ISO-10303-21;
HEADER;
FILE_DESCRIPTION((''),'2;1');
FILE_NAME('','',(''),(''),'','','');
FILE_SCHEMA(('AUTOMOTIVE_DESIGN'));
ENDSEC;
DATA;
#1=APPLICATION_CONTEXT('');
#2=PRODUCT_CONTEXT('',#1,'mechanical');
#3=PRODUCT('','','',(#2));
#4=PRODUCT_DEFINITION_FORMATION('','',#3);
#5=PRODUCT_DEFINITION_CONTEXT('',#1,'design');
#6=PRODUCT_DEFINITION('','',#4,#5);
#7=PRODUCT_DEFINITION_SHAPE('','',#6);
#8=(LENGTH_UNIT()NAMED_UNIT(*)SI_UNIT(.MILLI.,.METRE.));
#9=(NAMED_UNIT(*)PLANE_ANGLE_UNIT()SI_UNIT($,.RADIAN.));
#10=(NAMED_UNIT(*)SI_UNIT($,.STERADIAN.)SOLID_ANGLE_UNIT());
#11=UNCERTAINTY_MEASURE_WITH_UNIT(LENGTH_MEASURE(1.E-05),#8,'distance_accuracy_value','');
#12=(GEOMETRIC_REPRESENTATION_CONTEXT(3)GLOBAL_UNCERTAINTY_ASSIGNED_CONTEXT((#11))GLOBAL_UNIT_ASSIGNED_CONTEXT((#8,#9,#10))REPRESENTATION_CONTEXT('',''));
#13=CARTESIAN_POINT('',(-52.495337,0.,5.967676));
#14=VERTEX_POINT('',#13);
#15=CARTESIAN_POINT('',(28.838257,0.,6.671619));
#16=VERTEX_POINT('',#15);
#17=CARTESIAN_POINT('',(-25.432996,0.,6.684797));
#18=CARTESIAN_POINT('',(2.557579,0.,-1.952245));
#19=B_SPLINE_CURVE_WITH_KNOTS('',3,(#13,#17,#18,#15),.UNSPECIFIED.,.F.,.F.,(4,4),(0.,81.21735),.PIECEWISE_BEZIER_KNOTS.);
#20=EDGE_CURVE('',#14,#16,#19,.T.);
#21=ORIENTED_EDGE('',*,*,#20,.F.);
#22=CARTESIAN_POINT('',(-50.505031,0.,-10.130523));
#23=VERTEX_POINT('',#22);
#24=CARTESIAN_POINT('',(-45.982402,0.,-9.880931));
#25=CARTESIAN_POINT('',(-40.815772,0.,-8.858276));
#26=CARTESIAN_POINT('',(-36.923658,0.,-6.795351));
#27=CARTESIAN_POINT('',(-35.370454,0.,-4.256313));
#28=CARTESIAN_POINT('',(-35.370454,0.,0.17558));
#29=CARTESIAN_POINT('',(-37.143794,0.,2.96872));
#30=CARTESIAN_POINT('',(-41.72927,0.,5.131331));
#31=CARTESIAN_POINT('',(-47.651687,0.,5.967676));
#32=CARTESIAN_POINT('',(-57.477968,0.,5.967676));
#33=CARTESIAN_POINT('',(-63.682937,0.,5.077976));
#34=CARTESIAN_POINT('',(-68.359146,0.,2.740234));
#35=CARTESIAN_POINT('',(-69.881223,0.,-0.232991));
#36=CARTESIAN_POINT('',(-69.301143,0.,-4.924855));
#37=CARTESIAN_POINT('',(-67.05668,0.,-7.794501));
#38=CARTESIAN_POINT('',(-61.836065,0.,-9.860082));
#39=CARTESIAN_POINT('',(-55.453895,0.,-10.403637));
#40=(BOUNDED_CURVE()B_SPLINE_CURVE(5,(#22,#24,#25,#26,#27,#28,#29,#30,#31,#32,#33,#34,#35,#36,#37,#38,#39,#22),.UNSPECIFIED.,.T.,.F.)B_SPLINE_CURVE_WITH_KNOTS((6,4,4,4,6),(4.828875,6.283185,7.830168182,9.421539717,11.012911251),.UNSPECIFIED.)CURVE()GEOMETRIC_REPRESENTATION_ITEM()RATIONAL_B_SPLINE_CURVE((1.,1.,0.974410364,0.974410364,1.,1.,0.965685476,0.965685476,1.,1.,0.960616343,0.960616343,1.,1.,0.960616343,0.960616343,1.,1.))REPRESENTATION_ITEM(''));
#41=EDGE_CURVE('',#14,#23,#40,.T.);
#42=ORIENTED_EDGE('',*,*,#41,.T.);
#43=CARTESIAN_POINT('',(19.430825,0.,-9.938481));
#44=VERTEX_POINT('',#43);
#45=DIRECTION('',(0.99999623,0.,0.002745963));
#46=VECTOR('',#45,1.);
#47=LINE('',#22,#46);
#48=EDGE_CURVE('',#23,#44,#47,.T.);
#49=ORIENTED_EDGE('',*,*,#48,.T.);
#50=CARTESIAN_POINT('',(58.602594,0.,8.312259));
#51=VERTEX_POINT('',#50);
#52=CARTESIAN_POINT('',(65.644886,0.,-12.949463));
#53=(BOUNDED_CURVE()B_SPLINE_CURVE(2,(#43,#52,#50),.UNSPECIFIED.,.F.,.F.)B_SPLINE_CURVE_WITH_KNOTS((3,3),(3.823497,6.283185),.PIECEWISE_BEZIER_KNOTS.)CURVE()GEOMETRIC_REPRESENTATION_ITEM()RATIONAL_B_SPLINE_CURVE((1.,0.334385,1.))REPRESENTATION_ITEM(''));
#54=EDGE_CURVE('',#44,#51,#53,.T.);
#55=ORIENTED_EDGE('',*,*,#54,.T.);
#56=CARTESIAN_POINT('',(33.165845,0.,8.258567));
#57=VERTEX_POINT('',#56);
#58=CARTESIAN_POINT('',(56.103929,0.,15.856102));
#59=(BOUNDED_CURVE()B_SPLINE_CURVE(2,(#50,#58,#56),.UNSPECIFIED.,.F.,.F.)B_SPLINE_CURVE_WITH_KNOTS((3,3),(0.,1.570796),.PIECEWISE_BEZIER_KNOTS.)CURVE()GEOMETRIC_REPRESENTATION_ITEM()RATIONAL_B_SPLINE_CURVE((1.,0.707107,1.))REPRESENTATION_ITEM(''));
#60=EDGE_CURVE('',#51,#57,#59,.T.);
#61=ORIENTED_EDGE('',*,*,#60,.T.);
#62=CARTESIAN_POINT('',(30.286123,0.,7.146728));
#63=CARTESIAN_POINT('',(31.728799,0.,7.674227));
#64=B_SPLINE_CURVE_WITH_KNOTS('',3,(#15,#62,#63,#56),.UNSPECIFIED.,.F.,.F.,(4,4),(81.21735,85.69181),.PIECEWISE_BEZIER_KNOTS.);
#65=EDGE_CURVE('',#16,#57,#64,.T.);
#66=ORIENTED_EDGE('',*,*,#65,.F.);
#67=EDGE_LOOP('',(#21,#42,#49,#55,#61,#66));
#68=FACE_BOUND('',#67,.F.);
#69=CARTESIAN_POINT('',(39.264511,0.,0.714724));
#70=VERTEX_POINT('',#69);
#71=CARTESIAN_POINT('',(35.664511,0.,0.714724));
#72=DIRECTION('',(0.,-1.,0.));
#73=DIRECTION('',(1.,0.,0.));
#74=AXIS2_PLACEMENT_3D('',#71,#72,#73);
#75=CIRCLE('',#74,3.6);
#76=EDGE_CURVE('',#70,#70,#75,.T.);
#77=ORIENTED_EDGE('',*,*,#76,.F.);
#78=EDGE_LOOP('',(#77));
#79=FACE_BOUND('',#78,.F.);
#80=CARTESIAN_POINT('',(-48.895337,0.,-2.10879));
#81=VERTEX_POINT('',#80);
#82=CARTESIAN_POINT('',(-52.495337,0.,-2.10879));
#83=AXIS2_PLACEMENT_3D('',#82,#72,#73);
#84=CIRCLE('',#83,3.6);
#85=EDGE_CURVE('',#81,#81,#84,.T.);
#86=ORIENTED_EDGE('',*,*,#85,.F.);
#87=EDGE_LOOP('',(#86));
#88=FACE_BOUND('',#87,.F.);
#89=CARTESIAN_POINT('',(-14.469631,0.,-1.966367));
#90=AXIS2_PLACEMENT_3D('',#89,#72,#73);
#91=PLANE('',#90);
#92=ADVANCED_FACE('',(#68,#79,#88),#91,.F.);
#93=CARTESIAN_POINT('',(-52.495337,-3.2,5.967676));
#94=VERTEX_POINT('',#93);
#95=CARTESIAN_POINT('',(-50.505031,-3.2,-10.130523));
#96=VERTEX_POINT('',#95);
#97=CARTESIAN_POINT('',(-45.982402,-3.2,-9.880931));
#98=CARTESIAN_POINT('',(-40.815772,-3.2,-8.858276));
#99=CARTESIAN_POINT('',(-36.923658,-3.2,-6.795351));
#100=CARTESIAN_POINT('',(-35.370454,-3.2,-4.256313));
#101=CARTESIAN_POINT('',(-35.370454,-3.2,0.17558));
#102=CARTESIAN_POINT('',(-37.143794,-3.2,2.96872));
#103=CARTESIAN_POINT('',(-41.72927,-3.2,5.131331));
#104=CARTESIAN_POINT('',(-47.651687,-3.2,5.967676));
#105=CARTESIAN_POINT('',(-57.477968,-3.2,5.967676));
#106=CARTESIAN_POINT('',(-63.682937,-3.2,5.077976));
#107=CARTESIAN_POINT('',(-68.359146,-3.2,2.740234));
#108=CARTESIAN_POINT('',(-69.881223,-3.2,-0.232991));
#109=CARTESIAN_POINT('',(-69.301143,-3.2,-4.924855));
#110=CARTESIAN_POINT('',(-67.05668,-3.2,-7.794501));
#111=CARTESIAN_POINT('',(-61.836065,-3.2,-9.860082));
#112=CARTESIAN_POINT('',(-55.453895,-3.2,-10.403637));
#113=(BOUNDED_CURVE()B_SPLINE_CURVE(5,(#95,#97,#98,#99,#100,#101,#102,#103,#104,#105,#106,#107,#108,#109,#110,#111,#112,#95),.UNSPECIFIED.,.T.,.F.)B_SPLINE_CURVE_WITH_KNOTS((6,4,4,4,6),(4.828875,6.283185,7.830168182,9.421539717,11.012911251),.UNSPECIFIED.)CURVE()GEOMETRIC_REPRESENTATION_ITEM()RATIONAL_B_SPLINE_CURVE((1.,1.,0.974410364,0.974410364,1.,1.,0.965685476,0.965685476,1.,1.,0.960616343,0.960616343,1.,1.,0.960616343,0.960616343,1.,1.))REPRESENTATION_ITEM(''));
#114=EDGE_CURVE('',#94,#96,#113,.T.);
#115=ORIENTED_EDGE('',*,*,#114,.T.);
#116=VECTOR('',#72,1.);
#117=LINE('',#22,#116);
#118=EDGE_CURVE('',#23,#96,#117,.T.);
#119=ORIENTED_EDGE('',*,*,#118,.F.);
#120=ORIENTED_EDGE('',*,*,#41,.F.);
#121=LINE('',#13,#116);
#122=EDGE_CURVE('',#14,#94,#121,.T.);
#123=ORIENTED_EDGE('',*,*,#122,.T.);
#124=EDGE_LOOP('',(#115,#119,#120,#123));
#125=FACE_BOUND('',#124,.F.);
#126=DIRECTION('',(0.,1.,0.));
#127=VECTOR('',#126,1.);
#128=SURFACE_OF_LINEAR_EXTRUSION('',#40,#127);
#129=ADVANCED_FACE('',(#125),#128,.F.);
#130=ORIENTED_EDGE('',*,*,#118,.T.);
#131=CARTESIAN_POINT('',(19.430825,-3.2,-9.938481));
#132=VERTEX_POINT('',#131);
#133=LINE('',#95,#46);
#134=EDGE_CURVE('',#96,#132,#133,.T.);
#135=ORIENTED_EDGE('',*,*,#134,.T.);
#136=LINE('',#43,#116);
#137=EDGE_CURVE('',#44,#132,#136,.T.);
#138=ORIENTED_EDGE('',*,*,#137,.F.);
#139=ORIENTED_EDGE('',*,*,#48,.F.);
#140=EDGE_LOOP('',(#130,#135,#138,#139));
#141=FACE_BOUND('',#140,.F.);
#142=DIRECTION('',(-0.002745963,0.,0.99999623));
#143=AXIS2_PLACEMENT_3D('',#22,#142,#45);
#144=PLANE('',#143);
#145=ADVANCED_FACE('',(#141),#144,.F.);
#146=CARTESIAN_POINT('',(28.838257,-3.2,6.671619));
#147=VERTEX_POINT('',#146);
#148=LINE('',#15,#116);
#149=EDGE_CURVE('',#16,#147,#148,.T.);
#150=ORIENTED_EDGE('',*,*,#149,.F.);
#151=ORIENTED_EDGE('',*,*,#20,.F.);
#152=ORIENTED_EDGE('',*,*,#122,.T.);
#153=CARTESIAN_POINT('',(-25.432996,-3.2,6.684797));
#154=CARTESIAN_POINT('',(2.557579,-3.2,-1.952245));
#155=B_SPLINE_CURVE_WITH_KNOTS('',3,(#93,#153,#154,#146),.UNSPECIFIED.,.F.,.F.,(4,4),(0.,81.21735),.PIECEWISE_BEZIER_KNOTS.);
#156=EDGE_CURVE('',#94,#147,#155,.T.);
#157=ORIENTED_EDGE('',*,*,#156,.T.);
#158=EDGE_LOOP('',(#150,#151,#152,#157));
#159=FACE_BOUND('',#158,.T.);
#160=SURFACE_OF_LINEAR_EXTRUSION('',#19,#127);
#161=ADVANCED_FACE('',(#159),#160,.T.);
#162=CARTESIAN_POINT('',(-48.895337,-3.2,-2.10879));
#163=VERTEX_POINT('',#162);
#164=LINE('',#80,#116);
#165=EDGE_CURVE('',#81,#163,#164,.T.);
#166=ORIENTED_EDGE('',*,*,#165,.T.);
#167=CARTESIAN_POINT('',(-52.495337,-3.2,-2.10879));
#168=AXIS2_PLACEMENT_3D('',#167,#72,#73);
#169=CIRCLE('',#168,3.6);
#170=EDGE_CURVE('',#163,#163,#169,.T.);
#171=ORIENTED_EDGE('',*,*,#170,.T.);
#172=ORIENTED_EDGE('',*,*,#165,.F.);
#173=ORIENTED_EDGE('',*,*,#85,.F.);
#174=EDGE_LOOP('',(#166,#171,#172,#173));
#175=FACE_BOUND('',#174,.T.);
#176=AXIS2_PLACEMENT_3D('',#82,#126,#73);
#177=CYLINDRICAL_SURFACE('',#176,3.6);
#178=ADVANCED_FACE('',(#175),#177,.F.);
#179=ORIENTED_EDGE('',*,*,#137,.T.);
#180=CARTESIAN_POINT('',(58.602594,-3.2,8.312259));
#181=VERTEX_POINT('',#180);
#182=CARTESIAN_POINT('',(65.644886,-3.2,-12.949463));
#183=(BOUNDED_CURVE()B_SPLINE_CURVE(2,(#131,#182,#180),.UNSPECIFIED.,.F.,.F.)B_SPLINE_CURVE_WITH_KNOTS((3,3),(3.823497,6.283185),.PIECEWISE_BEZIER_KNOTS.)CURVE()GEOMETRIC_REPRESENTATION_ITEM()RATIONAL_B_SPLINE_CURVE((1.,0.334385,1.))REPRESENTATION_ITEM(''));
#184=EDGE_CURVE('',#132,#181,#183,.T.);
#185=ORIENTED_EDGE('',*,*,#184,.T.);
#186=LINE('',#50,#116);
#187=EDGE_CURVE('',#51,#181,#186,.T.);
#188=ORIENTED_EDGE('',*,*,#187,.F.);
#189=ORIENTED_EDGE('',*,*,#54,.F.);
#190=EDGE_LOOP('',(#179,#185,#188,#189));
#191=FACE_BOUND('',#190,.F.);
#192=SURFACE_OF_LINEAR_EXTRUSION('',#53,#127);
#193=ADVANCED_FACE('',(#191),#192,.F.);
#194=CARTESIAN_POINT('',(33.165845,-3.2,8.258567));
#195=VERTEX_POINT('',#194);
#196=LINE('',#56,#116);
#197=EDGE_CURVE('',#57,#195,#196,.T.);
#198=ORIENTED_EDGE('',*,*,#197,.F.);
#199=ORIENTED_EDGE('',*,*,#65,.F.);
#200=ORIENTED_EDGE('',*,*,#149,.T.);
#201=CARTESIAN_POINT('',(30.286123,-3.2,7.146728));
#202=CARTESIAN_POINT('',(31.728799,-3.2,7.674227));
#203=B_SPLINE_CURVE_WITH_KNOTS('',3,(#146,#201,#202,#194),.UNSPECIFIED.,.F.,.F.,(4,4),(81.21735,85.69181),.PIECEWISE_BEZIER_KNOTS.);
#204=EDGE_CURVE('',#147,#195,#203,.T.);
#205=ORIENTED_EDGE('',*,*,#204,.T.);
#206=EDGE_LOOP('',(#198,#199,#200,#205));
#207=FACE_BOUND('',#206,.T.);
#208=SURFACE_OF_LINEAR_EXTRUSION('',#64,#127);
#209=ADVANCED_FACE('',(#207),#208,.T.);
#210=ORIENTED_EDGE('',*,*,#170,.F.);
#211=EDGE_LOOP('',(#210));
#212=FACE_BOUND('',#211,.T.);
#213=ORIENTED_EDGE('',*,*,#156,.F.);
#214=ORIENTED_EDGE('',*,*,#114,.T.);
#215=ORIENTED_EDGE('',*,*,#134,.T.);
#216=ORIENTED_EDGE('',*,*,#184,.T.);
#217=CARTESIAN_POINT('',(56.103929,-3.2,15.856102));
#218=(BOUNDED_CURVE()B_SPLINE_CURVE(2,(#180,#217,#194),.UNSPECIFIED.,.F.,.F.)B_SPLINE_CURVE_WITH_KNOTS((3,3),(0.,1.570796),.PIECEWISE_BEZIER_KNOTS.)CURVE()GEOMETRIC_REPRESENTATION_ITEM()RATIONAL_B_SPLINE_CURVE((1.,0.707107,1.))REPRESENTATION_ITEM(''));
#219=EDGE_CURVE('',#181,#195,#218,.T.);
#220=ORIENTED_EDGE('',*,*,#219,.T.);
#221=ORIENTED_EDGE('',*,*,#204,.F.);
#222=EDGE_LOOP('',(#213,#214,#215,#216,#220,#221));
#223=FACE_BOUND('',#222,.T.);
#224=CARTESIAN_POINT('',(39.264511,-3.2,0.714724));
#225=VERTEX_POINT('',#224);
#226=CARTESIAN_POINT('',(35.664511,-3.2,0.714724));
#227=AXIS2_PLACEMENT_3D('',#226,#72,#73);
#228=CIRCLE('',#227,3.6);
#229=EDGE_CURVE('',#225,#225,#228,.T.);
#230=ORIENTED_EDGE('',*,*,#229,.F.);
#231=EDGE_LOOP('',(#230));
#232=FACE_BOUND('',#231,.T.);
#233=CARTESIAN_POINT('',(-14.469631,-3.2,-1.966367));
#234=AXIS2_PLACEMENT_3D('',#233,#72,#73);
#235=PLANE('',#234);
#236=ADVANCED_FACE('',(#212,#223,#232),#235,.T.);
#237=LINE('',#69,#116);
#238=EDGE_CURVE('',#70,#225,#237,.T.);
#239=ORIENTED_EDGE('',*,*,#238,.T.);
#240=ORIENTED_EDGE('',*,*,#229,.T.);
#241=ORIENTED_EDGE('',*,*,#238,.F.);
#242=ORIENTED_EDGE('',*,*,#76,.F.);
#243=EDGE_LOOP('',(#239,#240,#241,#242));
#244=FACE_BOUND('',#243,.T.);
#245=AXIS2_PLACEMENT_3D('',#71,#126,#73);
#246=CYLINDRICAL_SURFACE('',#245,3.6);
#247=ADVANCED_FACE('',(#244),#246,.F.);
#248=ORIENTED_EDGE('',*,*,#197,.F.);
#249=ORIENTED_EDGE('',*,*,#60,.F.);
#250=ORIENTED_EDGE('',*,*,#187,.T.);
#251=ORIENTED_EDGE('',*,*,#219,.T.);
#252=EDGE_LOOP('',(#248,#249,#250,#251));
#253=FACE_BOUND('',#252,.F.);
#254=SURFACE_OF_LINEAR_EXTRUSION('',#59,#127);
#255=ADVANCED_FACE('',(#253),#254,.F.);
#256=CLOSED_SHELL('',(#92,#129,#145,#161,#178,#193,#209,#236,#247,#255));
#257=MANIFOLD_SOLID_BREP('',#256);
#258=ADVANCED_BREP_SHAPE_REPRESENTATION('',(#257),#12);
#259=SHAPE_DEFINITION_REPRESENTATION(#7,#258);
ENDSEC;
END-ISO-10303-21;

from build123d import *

# Parameters (mm, degrees)
F0_R     = 3.6
F1_DEPTH = 3.2


with BuildPart() as f1:
    # F0 (on Front) → F1 (new body)
    with BuildSketch(Plane.XZ):
        with BuildLine():
            Line((-50.505031, -10.130523), (19.430825, -9.938481))
            add(Edge.make_bspline(
                [(28.838257, 6.671619), (-7.901181, -8.15772), (19.430825, -9.938481)],
                knots=[1.762633, 1.762633, 1.762633, 3.823497, 3.823497, 3.823497], degree=2, weights=[1, 0.514448, 1]))
            add(Edge.make_bspline(
                [(-52.495337, 5.967676), (-25.432996, 6.684797), (2.557579, -1.952245), (28.838257, 6.671619)],
                knots=[0, 0, 0, 0, 81.21735, 81.21735, 81.21735, 81.21735], degree=3))
            add(Edge.make_bspline(
                [(-35.370454, -2.10879), (-35.370454, 5.967676), (-52.495337, 5.967676)],
                knots=[0, 0, 0, 1.570796, 1.570796, 1.570796], degree=2, weights=[1, 0.707107, 1]))
            add(Edge.make_bspline(
                [(-50.505031, -10.130523), (-35.370454, -9.295286), (-35.370454, -2.10879)],
                knots=[4.828875, 4.828875, 4.828875, 6.283185, 6.283185, 6.283185], degree=2, weights=[1, 0.747069, 1]))
        make_face()
        with BuildLine():
            add(Edge.make_bspline(
                [(-52.495337, 5.967676), (-70.647845, 5.967676), (-69.591183, -2.578923), (-68.534521, -11.125522), (-50.505031, -10.130523)],
                knots=[1.570796, 1.570796, 1.570796, 3.199836, 3.199836, 4.828875, 4.828875, 4.828875], degree=2, weights=[1, 0.686218, 1, 0.686218, 1]))
            add(Edge.make_bspline(
                [(-50.505031, -10.130523), (-35.370454, -9.295286), (-35.370454, -2.10879)],
                knots=[4.828875, 4.828875, 4.828875, 6.283185, 6.283185, 6.283185], degree=2, weights=[1, 0.747069, 1]))
            add(Edge.make_bspline(
                [(-35.370454, -2.10879), (-35.370454, 5.967676), (-52.495337, 5.967676)],
                knots=[0, 0, 0, 1.570796, 1.570796, 1.570796], degree=2, weights=[1, 0.707107, 1]))
        make_face()
        with Locations((-52.495337, -2.10879)):
            Circle(F0_R, mode=Mode.SUBTRACT)
        with BuildLine():
            add(Edge.make_bspline(
                [(19.430825, -9.938481), (65.644886, -12.949463), (58.602594, 8.312259)],
                knots=[3.823497, 3.823497, 3.823497, 6.283185, 6.283185, 6.283185], degree=2, weights=[1, 0.334385, 1]))
            add(Edge.make_bspline(
                [(58.602594, 8.312259), (56.103929, 15.856102), (33.165845, 8.258567)],
                knots=[0, 0, 0, 1.570796, 1.570796, 1.570796], degree=2, weights=[1, 0.707107, 1]))
            add(Edge.make_bspline(
                [(28.838257, 6.671619), (30.286123, 7.146728), (31.728799, 7.674227), (33.165845, 8.258567)],
                knots=[81.21735, 81.21735, 81.21735, 81.21735, 85.69181, 85.69181, 85.69181, 85.69181], degree=3))
            add(Edge.make_bspline(
                [(28.838257, 6.671619), (-7.901181, -8.15772), (19.430825, -9.938481)],
                knots=[1.762633, 1.762633, 1.762633, 3.823497, 3.823497, 3.823497], degree=2, weights=[1, 0.514448, 1]))
        make_face()
        with Locations((35.664511, 0.714724)):
            Circle(F0_R, mode=Mode.SUBTRACT)
    extrude(amount=F1_DEPTH)


solid = f1.part
